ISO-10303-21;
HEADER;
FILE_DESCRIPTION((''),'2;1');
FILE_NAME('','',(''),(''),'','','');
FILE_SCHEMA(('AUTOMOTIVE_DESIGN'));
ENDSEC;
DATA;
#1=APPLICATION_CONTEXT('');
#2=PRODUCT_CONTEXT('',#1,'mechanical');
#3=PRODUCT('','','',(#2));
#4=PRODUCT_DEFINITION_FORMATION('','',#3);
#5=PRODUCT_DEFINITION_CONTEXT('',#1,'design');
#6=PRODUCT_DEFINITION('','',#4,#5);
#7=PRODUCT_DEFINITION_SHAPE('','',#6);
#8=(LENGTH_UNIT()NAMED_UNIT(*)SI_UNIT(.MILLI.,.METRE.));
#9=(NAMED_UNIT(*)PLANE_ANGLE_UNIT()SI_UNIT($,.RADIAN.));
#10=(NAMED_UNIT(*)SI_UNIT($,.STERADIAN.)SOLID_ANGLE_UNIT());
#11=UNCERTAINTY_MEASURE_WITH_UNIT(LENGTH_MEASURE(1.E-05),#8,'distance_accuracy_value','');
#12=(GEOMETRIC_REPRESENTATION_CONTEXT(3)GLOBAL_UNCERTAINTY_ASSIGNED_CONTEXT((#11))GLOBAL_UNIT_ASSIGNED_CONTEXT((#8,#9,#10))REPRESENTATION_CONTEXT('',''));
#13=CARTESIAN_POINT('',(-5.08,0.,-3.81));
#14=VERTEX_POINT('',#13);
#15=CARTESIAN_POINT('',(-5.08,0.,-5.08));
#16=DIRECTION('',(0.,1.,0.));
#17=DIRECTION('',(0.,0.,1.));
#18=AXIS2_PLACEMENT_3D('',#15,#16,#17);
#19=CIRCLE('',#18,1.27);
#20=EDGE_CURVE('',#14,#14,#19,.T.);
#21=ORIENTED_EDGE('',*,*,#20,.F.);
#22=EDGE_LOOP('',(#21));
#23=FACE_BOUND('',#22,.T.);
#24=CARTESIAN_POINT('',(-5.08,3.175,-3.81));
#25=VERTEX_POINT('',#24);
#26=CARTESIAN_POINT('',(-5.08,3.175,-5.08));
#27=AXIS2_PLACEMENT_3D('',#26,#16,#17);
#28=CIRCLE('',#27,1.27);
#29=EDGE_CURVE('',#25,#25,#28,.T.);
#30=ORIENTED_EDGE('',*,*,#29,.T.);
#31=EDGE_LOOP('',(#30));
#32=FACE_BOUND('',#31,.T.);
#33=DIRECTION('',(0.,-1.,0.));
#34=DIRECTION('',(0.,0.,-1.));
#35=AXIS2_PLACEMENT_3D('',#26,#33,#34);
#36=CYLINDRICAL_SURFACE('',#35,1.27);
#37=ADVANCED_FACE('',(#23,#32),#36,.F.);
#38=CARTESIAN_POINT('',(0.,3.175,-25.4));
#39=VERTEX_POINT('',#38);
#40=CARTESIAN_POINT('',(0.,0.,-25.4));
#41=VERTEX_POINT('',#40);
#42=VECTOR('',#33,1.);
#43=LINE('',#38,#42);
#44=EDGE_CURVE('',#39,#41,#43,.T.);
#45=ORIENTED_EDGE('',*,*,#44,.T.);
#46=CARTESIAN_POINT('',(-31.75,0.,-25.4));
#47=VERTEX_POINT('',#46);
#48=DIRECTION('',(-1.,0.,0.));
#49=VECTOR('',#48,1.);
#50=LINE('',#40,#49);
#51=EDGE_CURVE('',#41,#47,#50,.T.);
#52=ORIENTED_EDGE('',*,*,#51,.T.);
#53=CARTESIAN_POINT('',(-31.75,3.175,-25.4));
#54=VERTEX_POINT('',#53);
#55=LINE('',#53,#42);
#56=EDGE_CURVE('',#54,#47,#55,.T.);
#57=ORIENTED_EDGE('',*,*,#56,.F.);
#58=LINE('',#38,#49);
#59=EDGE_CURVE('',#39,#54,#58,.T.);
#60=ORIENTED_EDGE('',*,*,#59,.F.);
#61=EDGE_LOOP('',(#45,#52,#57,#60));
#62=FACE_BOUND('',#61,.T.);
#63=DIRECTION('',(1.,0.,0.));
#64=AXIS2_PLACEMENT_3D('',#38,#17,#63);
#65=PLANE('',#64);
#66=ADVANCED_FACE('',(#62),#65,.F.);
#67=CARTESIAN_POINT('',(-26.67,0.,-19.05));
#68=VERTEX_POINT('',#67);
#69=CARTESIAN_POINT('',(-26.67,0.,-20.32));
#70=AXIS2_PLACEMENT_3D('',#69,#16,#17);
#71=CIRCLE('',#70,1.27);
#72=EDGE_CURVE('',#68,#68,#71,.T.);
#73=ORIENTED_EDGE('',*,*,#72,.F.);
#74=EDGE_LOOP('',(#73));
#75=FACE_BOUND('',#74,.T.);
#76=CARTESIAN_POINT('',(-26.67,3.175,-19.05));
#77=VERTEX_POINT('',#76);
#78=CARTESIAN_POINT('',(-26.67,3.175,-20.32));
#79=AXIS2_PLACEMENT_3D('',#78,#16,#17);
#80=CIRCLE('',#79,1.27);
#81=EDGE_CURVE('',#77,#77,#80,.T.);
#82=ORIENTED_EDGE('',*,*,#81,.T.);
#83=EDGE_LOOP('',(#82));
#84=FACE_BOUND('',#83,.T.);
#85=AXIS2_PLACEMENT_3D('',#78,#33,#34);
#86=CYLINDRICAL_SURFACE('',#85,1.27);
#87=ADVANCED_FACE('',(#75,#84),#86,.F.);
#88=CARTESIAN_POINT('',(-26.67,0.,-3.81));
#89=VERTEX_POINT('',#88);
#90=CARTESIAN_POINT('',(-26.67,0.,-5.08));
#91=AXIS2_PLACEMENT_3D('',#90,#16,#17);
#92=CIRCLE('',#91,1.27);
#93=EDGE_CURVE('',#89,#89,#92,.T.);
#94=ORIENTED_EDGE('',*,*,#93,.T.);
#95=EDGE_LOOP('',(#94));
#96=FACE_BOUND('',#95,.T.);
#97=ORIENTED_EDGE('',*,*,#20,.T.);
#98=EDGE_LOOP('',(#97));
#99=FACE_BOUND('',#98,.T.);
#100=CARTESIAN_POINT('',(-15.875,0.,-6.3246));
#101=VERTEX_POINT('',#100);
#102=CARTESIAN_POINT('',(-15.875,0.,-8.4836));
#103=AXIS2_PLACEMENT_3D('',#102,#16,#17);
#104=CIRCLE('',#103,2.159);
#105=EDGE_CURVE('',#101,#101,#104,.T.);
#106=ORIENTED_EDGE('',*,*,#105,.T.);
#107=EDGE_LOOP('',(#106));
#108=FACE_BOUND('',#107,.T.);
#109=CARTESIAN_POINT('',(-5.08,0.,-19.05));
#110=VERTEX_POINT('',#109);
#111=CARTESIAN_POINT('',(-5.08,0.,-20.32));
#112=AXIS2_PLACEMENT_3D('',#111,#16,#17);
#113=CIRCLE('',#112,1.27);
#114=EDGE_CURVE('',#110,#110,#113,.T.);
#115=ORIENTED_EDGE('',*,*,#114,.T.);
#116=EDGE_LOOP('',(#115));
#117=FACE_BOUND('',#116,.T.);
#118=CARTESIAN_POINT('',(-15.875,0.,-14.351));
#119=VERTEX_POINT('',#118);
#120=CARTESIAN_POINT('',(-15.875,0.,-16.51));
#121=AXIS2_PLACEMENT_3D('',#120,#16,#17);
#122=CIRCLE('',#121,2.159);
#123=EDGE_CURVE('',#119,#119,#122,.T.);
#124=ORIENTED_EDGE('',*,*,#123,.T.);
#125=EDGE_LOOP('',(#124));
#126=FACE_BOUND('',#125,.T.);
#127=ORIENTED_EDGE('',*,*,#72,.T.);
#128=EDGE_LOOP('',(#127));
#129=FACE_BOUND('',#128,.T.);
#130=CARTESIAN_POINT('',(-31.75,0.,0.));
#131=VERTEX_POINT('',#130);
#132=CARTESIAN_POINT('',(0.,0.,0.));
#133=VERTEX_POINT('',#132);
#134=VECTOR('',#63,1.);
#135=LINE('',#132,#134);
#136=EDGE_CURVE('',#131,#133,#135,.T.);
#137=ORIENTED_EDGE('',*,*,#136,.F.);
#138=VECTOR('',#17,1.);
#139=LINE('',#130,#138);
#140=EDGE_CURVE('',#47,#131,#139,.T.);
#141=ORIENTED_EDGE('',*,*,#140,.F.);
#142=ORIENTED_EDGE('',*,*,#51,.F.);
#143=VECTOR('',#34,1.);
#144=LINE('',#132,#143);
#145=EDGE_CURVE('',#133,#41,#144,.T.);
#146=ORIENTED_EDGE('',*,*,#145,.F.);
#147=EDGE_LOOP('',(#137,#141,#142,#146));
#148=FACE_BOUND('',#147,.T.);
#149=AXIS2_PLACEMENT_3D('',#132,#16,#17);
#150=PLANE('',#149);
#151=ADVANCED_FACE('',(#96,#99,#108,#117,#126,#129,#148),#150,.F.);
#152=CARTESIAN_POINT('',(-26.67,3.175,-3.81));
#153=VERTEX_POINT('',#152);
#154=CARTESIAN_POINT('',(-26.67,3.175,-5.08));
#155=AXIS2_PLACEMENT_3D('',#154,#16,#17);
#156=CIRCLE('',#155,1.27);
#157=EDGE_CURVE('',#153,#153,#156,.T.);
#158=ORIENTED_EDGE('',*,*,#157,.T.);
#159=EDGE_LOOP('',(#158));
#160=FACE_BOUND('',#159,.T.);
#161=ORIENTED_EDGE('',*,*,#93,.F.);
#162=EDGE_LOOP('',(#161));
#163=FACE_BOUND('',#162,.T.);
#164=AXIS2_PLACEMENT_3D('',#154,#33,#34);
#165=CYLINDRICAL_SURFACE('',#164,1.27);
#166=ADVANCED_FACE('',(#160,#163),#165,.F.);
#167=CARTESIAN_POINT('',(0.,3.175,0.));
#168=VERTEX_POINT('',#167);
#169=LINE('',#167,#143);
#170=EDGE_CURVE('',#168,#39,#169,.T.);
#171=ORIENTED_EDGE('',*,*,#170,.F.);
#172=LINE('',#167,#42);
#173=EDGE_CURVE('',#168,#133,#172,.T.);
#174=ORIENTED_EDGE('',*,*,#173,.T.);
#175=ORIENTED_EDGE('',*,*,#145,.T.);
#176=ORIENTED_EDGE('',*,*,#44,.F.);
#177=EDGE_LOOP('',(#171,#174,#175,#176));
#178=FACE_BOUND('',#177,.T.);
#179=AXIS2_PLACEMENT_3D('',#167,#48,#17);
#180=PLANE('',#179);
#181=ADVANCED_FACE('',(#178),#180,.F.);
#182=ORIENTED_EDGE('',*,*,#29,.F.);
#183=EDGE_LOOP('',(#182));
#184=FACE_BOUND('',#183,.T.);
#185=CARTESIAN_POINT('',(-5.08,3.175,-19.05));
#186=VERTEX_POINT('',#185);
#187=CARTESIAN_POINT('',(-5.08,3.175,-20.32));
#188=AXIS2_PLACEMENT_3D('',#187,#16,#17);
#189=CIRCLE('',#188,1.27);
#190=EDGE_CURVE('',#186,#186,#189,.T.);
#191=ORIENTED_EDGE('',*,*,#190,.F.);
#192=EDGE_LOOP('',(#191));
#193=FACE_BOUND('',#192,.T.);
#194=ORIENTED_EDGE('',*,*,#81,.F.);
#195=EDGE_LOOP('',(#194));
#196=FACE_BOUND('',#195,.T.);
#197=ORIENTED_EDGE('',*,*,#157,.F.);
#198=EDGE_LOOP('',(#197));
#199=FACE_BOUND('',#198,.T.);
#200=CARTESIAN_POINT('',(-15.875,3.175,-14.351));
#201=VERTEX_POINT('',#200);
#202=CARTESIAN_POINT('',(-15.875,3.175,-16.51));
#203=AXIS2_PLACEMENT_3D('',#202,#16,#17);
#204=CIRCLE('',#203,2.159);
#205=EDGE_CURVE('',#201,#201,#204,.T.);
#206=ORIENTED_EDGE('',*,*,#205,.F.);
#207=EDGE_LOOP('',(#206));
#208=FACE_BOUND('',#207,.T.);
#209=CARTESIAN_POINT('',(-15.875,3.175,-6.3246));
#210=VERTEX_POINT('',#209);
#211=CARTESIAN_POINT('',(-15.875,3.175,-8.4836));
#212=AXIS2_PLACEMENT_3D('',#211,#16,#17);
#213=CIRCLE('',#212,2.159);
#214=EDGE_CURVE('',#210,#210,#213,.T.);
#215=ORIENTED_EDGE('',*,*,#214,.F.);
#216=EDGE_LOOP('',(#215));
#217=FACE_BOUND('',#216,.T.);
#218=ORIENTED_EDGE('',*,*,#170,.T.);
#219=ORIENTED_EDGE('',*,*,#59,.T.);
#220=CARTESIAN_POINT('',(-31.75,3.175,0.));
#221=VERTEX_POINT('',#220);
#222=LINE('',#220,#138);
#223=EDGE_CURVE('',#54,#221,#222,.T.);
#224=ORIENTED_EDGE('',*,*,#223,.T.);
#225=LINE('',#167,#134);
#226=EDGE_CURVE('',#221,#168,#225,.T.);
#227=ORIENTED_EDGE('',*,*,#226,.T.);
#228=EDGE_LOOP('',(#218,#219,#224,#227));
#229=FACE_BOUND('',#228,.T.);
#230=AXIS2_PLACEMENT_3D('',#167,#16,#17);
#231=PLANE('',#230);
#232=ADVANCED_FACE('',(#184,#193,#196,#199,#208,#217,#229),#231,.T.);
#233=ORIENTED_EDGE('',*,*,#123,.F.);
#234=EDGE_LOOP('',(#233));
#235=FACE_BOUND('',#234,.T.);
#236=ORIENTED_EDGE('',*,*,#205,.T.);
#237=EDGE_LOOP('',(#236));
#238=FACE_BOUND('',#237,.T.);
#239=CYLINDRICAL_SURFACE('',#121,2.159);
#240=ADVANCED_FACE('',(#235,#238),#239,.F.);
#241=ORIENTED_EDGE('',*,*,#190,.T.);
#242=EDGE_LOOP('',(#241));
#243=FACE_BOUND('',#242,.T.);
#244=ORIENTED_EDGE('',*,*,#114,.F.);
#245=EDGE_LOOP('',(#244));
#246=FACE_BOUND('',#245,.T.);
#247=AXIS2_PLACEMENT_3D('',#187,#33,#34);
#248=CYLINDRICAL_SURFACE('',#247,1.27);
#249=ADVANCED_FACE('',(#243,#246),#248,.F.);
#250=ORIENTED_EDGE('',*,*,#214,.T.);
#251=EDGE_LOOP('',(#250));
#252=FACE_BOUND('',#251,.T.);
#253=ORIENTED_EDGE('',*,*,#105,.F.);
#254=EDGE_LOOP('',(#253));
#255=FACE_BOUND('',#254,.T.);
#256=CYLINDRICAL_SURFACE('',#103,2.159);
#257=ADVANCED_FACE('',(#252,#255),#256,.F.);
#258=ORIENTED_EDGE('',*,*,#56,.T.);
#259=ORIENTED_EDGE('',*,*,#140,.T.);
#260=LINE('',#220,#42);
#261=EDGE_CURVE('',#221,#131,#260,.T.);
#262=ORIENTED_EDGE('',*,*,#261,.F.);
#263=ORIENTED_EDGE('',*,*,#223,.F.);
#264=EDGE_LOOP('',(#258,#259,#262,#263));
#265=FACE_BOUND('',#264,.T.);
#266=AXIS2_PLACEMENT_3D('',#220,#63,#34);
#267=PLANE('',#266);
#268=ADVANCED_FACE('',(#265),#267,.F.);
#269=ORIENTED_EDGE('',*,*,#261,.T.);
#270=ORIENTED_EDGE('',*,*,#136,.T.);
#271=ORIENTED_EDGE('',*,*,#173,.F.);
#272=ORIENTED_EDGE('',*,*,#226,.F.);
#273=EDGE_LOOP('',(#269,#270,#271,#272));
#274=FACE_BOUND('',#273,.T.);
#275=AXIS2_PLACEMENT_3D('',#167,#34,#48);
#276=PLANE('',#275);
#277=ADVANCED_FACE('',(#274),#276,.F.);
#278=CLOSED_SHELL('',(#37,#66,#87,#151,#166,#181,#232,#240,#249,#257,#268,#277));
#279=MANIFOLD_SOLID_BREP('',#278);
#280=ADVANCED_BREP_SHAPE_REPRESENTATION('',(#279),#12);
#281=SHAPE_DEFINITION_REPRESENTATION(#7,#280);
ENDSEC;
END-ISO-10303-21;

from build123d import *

# Parameters (mm, degrees)
SKETCH1_W        = 31.75
SKETCH1_H        = 25.4
SKETCH1_R        = 1.27
EXTRUSION1_DEPTH = 3.175
SKETCH2_R        = 2.159
EXTRUSION2_DEPTH = 4.175


with BuildPart() as part:
    # Sketch1 → Extrusion1 (new body)
    with BuildSketch(Plane(origin=(0, 0, 0), x_dir=(-1, 0, 0), z_dir=(0, 1, 0))):
        with Locations((15.875, -12.7)):
            Rectangle(SKETCH1_W, SKETCH1_H)
        with Locations((26.67, -5.08)):
            Circle(SKETCH1_R, mode=Mode.SUBTRACT)
        with Locations((26.67, -20.32)):
            Circle(SKETCH1_R, mode=Mode.SUBTRACT)
        with Locations((5.08, -20.32)):
            Circle(SKETCH1_R, mode=Mode.SUBTRACT)
        with Locations((5.08, -5.08)):
            Circle(SKETCH1_R, mode=Mode.SUBTRACT)
    extrude(amount=EXTRUSION1_DEPTH)

    # Sketch2 → Extrusion2 (cut, through all)
    with BuildSketch(Plane(origin=(0, 3.175, 0), x_dir=(-1, 0, 0), z_dir=(0, 1, 0))):
        with Locations((15.875, -8.4836)):
            Circle(SKETCH2_R)
        with Locations((15.875, -16.51)):
            Circle(SKETCH2_R)
    extrude(amount=-EXTRUSION2_DEPTH, mode=Mode.SUBTRACT)


solid = part.part
